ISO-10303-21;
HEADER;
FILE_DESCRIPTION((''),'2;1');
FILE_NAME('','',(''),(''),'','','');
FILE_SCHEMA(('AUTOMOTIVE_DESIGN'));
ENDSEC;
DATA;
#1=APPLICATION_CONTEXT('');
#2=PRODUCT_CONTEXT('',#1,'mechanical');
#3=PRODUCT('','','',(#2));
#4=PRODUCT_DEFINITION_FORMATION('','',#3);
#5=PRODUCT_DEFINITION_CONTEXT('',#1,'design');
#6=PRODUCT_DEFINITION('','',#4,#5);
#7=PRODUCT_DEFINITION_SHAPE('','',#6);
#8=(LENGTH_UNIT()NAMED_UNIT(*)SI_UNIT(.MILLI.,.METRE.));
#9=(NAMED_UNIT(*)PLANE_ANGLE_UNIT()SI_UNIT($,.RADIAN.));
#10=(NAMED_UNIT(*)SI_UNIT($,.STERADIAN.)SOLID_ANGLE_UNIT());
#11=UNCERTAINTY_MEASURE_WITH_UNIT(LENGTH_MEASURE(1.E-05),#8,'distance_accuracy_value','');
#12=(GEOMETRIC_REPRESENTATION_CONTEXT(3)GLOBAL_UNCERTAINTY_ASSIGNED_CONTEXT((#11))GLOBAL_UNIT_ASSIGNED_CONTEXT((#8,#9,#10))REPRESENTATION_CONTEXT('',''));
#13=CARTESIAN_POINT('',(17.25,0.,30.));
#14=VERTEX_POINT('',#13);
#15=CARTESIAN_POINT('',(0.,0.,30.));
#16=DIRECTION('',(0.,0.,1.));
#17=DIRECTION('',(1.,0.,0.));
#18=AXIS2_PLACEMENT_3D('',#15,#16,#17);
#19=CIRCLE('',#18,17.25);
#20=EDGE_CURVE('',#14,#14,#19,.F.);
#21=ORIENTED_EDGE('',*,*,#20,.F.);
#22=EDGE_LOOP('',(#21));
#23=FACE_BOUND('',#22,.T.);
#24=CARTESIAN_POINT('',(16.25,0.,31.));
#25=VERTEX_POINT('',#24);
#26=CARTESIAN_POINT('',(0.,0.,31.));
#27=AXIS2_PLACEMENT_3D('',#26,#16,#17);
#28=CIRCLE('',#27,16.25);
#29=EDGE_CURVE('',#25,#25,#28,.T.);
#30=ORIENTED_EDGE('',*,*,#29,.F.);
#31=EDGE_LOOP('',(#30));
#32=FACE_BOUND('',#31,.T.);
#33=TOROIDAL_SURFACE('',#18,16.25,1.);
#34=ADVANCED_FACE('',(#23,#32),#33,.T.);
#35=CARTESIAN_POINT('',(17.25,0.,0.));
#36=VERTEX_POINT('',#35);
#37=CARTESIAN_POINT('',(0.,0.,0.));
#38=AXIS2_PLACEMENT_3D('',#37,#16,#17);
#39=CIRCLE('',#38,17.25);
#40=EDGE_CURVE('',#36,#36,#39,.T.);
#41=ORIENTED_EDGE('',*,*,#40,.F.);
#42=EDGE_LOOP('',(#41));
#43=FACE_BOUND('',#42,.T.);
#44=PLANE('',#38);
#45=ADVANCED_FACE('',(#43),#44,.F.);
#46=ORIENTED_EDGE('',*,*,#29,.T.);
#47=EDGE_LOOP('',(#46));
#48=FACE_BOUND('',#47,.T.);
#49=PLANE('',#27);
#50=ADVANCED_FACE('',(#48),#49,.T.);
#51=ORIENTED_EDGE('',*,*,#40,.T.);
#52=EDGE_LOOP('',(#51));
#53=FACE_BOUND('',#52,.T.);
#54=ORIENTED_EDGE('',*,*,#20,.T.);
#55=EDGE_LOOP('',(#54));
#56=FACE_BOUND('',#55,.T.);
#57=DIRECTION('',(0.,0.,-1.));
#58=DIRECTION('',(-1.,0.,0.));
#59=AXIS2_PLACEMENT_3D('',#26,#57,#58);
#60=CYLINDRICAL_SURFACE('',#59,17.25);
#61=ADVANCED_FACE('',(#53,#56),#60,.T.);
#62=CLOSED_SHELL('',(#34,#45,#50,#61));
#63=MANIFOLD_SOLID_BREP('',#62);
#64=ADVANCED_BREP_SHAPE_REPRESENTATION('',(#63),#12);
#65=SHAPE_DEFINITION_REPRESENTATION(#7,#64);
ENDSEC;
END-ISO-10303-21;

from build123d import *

# Parameters (mm, degrees)
SKETCH1_R           = 17.25
BOSS_EXTRUDE1_DEPTH = 31
FILLET1_R           = 1


with BuildPart() as part:
    # Sketch1 → Boss-Extrude1 (new body)
    with BuildSketch(Plane.XY):
        Circle(SKETCH1_R)
    extrude(amount=BOSS_EXTRUDE1_DEPTH)

    # Fillet1
    fillet1_edges = [part.edges().sort_by_distance(p)[0] for p in [
        (-17.25, 0, 31),
    ]]
    fillet(fillet1_edges, radius=FILLET1_R)


solid = part.part
